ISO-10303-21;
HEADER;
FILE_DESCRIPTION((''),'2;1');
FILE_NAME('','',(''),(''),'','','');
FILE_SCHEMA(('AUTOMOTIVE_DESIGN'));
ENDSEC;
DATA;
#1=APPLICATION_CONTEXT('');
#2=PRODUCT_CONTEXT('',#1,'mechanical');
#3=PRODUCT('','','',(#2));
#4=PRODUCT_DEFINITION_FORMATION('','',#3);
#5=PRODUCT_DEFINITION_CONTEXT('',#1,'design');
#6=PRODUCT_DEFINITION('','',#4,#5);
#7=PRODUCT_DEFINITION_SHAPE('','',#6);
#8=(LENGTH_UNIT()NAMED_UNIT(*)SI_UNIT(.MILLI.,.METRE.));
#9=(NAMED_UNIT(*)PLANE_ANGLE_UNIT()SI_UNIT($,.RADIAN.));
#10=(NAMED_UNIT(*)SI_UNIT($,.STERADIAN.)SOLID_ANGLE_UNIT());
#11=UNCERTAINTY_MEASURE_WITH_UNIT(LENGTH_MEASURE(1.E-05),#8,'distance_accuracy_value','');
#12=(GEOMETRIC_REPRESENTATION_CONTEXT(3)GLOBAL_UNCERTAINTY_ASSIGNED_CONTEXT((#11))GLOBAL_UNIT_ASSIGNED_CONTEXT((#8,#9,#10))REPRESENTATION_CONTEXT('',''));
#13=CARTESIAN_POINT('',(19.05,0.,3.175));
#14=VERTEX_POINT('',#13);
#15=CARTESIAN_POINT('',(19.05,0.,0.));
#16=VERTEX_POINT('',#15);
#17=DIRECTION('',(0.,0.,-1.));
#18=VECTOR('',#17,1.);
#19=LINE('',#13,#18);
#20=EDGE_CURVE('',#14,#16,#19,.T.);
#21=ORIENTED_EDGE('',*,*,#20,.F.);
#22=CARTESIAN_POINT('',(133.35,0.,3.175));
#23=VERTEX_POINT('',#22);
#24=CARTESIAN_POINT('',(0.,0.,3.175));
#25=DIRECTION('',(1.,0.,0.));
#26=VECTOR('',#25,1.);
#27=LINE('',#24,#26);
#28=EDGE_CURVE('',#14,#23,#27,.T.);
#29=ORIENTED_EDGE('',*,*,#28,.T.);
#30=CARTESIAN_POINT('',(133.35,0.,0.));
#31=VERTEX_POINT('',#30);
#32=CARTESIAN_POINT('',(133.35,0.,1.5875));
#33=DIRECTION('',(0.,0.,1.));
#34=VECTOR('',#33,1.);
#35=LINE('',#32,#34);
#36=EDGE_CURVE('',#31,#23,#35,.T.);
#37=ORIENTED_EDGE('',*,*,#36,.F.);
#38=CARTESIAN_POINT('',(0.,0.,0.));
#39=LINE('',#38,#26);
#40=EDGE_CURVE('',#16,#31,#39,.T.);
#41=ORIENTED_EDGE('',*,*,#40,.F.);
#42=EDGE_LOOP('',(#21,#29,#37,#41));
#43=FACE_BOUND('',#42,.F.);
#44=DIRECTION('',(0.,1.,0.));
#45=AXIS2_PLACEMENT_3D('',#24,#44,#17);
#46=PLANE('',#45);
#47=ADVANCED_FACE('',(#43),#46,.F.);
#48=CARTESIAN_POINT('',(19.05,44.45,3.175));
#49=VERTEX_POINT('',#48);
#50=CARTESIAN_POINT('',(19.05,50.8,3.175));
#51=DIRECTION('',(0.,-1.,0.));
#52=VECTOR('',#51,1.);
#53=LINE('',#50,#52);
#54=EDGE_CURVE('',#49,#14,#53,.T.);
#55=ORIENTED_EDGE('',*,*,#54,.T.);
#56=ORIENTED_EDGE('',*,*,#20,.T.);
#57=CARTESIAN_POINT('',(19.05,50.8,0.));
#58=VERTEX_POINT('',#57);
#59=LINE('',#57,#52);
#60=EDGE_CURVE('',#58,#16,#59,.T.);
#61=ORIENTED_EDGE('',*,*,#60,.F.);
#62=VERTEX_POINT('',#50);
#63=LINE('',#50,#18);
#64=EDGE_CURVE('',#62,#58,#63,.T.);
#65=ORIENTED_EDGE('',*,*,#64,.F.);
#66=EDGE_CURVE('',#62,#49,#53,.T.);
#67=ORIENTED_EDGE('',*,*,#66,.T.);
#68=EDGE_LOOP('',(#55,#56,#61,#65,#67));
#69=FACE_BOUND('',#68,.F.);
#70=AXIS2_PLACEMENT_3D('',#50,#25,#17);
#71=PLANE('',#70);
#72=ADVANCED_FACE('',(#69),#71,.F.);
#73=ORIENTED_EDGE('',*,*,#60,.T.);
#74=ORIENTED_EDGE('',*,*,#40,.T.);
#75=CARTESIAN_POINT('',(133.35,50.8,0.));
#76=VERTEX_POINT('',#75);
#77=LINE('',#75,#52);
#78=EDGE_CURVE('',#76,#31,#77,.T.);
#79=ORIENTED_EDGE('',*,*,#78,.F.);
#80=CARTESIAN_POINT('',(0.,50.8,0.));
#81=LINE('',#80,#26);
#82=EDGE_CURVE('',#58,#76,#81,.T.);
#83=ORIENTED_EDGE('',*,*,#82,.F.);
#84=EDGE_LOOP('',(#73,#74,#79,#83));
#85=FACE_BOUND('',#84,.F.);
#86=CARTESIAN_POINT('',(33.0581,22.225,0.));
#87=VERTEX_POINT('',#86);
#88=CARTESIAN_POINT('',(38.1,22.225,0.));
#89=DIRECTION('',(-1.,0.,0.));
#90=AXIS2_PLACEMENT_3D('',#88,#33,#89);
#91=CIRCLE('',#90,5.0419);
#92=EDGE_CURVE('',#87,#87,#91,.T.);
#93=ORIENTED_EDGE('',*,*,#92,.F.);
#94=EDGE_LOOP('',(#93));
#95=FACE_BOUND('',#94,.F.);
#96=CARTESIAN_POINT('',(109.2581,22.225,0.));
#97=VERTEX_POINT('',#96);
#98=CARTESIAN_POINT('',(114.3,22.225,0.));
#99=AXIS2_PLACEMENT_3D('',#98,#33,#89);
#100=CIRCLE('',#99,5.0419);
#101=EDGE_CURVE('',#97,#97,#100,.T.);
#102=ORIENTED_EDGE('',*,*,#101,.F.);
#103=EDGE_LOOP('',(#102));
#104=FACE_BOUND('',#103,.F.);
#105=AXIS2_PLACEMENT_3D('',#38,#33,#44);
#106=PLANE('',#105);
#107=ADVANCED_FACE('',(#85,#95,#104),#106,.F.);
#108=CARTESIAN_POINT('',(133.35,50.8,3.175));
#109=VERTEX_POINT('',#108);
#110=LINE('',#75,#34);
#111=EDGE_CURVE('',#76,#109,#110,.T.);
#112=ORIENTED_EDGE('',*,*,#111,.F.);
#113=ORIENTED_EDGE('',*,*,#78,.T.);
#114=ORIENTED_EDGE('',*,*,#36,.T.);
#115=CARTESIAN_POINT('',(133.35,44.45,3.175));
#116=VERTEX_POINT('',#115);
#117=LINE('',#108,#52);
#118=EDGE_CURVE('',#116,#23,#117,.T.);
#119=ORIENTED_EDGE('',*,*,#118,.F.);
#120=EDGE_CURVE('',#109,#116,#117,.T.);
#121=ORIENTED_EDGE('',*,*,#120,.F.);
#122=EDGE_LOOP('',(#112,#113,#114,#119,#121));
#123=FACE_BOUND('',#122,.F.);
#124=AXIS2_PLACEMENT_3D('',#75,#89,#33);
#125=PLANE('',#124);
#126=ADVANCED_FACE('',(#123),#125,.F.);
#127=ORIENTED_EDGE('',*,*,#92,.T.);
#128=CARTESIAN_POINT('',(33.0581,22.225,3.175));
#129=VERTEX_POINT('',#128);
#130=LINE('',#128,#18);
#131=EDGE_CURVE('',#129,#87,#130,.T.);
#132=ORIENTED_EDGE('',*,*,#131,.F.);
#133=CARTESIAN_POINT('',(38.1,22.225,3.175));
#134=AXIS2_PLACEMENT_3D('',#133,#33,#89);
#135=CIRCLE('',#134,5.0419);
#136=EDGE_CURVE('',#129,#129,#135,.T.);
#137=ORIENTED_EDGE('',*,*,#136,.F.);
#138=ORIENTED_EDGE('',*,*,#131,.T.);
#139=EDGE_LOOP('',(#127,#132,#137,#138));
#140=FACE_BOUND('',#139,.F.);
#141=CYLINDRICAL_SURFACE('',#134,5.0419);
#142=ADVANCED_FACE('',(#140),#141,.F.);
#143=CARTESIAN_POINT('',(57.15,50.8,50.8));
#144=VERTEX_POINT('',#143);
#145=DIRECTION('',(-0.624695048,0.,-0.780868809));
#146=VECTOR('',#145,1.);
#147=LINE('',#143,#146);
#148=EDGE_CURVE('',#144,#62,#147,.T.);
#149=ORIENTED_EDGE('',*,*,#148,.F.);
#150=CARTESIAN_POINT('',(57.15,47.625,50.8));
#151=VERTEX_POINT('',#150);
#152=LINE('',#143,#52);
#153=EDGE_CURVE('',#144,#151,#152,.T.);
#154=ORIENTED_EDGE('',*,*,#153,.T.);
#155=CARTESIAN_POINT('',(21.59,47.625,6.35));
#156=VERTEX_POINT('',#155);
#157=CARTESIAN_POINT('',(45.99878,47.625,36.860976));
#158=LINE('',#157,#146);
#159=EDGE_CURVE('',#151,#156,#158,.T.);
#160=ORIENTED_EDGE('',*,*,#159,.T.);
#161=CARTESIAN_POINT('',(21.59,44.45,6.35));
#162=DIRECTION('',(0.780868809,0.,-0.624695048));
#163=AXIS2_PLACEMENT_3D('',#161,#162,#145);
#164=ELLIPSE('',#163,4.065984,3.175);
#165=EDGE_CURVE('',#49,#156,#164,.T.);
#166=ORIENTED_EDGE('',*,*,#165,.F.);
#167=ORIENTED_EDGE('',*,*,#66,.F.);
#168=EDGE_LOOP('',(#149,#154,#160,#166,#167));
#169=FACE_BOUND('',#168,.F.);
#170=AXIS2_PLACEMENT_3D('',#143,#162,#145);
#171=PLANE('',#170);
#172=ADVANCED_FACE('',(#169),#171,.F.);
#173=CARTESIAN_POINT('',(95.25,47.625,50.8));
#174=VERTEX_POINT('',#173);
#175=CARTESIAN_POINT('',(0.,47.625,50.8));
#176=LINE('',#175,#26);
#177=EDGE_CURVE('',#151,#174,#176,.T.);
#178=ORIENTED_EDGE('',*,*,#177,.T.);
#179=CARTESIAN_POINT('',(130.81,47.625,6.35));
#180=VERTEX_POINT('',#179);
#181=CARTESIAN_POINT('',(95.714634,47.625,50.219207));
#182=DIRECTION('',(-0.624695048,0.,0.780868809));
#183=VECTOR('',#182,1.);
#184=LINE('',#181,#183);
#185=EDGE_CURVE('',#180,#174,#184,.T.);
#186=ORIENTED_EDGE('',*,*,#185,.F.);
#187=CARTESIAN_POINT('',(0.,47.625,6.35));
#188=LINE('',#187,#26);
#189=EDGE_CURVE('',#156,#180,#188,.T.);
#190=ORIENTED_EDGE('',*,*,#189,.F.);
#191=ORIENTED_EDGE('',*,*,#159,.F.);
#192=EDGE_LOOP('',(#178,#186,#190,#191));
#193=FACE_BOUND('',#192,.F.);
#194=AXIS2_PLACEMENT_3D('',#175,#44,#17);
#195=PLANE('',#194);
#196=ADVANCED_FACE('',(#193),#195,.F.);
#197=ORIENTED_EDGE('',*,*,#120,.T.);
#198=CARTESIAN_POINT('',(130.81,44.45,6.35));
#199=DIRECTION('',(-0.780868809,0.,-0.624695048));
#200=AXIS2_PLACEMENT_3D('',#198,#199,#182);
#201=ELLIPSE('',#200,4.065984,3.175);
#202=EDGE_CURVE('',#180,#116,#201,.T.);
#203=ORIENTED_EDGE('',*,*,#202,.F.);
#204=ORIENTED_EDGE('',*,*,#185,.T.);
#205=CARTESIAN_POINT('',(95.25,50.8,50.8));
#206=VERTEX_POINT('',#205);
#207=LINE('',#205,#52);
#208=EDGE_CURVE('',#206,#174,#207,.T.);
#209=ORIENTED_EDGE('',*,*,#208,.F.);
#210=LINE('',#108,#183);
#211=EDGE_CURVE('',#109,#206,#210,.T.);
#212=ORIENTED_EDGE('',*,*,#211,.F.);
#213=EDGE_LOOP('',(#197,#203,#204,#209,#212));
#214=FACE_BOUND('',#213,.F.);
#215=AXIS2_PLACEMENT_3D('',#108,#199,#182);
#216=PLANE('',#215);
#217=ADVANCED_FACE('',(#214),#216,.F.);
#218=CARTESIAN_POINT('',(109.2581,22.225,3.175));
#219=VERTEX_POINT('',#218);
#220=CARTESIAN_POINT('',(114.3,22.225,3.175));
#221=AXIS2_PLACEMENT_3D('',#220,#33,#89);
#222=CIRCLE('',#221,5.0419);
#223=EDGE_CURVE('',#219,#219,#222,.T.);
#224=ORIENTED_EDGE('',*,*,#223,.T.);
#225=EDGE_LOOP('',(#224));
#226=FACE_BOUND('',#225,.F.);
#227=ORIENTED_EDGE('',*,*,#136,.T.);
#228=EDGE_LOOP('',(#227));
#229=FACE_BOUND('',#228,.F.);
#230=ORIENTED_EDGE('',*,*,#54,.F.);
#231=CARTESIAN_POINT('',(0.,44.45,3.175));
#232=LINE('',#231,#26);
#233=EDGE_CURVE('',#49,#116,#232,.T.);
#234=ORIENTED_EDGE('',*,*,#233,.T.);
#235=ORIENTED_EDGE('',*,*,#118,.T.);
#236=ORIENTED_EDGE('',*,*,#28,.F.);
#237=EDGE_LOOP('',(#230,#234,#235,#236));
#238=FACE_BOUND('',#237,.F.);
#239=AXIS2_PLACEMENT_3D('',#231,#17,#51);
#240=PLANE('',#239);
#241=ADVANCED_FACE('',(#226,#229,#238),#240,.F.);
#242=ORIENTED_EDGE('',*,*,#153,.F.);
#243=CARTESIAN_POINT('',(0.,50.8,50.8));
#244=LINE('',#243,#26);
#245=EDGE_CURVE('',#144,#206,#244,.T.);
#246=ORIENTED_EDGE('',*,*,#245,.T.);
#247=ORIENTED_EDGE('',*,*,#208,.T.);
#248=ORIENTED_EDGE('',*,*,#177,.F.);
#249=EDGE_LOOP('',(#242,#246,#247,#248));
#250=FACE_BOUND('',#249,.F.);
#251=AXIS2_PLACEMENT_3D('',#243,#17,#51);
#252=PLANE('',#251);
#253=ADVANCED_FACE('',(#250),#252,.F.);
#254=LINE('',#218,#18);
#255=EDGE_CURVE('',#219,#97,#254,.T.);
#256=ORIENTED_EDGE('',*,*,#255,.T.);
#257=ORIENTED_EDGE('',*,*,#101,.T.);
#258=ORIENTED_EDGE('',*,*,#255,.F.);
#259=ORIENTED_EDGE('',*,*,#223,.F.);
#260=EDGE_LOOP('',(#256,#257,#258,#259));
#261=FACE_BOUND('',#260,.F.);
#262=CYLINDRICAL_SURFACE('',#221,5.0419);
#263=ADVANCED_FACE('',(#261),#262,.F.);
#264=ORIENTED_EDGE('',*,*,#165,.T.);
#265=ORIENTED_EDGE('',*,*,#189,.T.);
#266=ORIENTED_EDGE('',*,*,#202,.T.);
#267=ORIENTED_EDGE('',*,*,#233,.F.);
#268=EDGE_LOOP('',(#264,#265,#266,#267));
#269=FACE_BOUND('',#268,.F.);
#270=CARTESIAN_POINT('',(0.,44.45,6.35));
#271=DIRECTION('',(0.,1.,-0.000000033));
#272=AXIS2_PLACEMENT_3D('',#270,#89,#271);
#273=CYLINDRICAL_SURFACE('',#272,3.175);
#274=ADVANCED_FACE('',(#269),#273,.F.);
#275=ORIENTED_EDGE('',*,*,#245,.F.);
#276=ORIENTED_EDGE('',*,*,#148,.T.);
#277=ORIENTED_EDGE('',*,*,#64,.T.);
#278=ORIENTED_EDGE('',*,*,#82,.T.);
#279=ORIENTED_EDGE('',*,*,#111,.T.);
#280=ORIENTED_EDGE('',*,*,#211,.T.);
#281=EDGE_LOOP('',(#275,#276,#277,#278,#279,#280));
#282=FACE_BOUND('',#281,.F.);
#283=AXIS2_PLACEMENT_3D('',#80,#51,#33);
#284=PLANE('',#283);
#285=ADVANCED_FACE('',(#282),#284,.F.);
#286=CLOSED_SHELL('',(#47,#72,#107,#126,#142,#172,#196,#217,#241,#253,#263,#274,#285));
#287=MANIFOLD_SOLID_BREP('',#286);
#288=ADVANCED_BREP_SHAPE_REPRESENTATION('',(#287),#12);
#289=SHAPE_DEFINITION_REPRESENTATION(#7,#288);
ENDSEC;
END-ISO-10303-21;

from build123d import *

# Parameters (mm, degrees)
F1_DEPTH = 152.4
F3_DEPTH = 50.801
F5_DEPTH = 25.4


with BuildPart() as f1:
    # F0 (on Right) → F1 (new body)
    with BuildSketch(Plane.YZ):
        with BuildLine():
            Line((0, 3.175), (0, 0))
            Line((0, 0), (50.8, 0))
            Line((50.8, 0), (50.8, 50.8))
            Line((50.8, 50.8), (47.625, 50.8))
            Line((47.625, 50.8), (47.625, 6.35))
            ThreePointArc((47.625, 6.35), (46.695064, 4.104936), (44.45, 3.175))
            Line((44.45, 3.175), (0, 3.175))
        make_face()
    extrude(amount=F1_DEPTH)

    # F2 (on face) → F3 (cut, through all)
    with BuildSketch(Plane(origin=(0, 50.8, 0), x_dir=(-1, 0, 0), z_dir=(0, 1, 0))):
        Polygon((0, 50.8), (-57.15, 50.8), (-19.05, 3.175), (-19.05, 0), (0, 0), align=None)
        Polygon((-133.35, 3.175), (-95.25, 50.8), (-152.4, 50.8), (-152.4, 0), (-133.35, 0), align=None)
    extrude(amount=-F3_DEPTH, mode=Mode.SUBTRACT)

    # F4 (on face) → F5 (cut)
    with BuildSketch(Plane.XY.offset(3.175)):
        with BuildLine():
            ThreePointArc((43.1419, 22.225), (38.1, 27.2669), (33.0581, 22.225))
            Line((33.0581, 22.225), (43.1419, 22.225))
        make_face()
        with BuildLine():
            Line((43.1419, 22.225), (33.0581, 22.225))
            ThreePointArc((33.0581, 22.225), (38.1, 17.1831), (43.1419, 22.225))
        make_face()
        with BuildLine():
            Line((109.2581, 22.225), (119.3419, 22.225))
            ThreePointArc((119.3419, 22.225), (114.3, 27.2669), (109.2581, 22.225))
        make_face()
        with BuildLine():
            ThreePointArc((109.2581, 22.225), (114.3, 17.1831), (119.3419, 22.225))
            Line((119.3419, 22.225), (109.2581, 22.225))
        make_face()
    extrude(amount=-F5_DEPTH, mode=Mode.SUBTRACT)


solid = f1.part
